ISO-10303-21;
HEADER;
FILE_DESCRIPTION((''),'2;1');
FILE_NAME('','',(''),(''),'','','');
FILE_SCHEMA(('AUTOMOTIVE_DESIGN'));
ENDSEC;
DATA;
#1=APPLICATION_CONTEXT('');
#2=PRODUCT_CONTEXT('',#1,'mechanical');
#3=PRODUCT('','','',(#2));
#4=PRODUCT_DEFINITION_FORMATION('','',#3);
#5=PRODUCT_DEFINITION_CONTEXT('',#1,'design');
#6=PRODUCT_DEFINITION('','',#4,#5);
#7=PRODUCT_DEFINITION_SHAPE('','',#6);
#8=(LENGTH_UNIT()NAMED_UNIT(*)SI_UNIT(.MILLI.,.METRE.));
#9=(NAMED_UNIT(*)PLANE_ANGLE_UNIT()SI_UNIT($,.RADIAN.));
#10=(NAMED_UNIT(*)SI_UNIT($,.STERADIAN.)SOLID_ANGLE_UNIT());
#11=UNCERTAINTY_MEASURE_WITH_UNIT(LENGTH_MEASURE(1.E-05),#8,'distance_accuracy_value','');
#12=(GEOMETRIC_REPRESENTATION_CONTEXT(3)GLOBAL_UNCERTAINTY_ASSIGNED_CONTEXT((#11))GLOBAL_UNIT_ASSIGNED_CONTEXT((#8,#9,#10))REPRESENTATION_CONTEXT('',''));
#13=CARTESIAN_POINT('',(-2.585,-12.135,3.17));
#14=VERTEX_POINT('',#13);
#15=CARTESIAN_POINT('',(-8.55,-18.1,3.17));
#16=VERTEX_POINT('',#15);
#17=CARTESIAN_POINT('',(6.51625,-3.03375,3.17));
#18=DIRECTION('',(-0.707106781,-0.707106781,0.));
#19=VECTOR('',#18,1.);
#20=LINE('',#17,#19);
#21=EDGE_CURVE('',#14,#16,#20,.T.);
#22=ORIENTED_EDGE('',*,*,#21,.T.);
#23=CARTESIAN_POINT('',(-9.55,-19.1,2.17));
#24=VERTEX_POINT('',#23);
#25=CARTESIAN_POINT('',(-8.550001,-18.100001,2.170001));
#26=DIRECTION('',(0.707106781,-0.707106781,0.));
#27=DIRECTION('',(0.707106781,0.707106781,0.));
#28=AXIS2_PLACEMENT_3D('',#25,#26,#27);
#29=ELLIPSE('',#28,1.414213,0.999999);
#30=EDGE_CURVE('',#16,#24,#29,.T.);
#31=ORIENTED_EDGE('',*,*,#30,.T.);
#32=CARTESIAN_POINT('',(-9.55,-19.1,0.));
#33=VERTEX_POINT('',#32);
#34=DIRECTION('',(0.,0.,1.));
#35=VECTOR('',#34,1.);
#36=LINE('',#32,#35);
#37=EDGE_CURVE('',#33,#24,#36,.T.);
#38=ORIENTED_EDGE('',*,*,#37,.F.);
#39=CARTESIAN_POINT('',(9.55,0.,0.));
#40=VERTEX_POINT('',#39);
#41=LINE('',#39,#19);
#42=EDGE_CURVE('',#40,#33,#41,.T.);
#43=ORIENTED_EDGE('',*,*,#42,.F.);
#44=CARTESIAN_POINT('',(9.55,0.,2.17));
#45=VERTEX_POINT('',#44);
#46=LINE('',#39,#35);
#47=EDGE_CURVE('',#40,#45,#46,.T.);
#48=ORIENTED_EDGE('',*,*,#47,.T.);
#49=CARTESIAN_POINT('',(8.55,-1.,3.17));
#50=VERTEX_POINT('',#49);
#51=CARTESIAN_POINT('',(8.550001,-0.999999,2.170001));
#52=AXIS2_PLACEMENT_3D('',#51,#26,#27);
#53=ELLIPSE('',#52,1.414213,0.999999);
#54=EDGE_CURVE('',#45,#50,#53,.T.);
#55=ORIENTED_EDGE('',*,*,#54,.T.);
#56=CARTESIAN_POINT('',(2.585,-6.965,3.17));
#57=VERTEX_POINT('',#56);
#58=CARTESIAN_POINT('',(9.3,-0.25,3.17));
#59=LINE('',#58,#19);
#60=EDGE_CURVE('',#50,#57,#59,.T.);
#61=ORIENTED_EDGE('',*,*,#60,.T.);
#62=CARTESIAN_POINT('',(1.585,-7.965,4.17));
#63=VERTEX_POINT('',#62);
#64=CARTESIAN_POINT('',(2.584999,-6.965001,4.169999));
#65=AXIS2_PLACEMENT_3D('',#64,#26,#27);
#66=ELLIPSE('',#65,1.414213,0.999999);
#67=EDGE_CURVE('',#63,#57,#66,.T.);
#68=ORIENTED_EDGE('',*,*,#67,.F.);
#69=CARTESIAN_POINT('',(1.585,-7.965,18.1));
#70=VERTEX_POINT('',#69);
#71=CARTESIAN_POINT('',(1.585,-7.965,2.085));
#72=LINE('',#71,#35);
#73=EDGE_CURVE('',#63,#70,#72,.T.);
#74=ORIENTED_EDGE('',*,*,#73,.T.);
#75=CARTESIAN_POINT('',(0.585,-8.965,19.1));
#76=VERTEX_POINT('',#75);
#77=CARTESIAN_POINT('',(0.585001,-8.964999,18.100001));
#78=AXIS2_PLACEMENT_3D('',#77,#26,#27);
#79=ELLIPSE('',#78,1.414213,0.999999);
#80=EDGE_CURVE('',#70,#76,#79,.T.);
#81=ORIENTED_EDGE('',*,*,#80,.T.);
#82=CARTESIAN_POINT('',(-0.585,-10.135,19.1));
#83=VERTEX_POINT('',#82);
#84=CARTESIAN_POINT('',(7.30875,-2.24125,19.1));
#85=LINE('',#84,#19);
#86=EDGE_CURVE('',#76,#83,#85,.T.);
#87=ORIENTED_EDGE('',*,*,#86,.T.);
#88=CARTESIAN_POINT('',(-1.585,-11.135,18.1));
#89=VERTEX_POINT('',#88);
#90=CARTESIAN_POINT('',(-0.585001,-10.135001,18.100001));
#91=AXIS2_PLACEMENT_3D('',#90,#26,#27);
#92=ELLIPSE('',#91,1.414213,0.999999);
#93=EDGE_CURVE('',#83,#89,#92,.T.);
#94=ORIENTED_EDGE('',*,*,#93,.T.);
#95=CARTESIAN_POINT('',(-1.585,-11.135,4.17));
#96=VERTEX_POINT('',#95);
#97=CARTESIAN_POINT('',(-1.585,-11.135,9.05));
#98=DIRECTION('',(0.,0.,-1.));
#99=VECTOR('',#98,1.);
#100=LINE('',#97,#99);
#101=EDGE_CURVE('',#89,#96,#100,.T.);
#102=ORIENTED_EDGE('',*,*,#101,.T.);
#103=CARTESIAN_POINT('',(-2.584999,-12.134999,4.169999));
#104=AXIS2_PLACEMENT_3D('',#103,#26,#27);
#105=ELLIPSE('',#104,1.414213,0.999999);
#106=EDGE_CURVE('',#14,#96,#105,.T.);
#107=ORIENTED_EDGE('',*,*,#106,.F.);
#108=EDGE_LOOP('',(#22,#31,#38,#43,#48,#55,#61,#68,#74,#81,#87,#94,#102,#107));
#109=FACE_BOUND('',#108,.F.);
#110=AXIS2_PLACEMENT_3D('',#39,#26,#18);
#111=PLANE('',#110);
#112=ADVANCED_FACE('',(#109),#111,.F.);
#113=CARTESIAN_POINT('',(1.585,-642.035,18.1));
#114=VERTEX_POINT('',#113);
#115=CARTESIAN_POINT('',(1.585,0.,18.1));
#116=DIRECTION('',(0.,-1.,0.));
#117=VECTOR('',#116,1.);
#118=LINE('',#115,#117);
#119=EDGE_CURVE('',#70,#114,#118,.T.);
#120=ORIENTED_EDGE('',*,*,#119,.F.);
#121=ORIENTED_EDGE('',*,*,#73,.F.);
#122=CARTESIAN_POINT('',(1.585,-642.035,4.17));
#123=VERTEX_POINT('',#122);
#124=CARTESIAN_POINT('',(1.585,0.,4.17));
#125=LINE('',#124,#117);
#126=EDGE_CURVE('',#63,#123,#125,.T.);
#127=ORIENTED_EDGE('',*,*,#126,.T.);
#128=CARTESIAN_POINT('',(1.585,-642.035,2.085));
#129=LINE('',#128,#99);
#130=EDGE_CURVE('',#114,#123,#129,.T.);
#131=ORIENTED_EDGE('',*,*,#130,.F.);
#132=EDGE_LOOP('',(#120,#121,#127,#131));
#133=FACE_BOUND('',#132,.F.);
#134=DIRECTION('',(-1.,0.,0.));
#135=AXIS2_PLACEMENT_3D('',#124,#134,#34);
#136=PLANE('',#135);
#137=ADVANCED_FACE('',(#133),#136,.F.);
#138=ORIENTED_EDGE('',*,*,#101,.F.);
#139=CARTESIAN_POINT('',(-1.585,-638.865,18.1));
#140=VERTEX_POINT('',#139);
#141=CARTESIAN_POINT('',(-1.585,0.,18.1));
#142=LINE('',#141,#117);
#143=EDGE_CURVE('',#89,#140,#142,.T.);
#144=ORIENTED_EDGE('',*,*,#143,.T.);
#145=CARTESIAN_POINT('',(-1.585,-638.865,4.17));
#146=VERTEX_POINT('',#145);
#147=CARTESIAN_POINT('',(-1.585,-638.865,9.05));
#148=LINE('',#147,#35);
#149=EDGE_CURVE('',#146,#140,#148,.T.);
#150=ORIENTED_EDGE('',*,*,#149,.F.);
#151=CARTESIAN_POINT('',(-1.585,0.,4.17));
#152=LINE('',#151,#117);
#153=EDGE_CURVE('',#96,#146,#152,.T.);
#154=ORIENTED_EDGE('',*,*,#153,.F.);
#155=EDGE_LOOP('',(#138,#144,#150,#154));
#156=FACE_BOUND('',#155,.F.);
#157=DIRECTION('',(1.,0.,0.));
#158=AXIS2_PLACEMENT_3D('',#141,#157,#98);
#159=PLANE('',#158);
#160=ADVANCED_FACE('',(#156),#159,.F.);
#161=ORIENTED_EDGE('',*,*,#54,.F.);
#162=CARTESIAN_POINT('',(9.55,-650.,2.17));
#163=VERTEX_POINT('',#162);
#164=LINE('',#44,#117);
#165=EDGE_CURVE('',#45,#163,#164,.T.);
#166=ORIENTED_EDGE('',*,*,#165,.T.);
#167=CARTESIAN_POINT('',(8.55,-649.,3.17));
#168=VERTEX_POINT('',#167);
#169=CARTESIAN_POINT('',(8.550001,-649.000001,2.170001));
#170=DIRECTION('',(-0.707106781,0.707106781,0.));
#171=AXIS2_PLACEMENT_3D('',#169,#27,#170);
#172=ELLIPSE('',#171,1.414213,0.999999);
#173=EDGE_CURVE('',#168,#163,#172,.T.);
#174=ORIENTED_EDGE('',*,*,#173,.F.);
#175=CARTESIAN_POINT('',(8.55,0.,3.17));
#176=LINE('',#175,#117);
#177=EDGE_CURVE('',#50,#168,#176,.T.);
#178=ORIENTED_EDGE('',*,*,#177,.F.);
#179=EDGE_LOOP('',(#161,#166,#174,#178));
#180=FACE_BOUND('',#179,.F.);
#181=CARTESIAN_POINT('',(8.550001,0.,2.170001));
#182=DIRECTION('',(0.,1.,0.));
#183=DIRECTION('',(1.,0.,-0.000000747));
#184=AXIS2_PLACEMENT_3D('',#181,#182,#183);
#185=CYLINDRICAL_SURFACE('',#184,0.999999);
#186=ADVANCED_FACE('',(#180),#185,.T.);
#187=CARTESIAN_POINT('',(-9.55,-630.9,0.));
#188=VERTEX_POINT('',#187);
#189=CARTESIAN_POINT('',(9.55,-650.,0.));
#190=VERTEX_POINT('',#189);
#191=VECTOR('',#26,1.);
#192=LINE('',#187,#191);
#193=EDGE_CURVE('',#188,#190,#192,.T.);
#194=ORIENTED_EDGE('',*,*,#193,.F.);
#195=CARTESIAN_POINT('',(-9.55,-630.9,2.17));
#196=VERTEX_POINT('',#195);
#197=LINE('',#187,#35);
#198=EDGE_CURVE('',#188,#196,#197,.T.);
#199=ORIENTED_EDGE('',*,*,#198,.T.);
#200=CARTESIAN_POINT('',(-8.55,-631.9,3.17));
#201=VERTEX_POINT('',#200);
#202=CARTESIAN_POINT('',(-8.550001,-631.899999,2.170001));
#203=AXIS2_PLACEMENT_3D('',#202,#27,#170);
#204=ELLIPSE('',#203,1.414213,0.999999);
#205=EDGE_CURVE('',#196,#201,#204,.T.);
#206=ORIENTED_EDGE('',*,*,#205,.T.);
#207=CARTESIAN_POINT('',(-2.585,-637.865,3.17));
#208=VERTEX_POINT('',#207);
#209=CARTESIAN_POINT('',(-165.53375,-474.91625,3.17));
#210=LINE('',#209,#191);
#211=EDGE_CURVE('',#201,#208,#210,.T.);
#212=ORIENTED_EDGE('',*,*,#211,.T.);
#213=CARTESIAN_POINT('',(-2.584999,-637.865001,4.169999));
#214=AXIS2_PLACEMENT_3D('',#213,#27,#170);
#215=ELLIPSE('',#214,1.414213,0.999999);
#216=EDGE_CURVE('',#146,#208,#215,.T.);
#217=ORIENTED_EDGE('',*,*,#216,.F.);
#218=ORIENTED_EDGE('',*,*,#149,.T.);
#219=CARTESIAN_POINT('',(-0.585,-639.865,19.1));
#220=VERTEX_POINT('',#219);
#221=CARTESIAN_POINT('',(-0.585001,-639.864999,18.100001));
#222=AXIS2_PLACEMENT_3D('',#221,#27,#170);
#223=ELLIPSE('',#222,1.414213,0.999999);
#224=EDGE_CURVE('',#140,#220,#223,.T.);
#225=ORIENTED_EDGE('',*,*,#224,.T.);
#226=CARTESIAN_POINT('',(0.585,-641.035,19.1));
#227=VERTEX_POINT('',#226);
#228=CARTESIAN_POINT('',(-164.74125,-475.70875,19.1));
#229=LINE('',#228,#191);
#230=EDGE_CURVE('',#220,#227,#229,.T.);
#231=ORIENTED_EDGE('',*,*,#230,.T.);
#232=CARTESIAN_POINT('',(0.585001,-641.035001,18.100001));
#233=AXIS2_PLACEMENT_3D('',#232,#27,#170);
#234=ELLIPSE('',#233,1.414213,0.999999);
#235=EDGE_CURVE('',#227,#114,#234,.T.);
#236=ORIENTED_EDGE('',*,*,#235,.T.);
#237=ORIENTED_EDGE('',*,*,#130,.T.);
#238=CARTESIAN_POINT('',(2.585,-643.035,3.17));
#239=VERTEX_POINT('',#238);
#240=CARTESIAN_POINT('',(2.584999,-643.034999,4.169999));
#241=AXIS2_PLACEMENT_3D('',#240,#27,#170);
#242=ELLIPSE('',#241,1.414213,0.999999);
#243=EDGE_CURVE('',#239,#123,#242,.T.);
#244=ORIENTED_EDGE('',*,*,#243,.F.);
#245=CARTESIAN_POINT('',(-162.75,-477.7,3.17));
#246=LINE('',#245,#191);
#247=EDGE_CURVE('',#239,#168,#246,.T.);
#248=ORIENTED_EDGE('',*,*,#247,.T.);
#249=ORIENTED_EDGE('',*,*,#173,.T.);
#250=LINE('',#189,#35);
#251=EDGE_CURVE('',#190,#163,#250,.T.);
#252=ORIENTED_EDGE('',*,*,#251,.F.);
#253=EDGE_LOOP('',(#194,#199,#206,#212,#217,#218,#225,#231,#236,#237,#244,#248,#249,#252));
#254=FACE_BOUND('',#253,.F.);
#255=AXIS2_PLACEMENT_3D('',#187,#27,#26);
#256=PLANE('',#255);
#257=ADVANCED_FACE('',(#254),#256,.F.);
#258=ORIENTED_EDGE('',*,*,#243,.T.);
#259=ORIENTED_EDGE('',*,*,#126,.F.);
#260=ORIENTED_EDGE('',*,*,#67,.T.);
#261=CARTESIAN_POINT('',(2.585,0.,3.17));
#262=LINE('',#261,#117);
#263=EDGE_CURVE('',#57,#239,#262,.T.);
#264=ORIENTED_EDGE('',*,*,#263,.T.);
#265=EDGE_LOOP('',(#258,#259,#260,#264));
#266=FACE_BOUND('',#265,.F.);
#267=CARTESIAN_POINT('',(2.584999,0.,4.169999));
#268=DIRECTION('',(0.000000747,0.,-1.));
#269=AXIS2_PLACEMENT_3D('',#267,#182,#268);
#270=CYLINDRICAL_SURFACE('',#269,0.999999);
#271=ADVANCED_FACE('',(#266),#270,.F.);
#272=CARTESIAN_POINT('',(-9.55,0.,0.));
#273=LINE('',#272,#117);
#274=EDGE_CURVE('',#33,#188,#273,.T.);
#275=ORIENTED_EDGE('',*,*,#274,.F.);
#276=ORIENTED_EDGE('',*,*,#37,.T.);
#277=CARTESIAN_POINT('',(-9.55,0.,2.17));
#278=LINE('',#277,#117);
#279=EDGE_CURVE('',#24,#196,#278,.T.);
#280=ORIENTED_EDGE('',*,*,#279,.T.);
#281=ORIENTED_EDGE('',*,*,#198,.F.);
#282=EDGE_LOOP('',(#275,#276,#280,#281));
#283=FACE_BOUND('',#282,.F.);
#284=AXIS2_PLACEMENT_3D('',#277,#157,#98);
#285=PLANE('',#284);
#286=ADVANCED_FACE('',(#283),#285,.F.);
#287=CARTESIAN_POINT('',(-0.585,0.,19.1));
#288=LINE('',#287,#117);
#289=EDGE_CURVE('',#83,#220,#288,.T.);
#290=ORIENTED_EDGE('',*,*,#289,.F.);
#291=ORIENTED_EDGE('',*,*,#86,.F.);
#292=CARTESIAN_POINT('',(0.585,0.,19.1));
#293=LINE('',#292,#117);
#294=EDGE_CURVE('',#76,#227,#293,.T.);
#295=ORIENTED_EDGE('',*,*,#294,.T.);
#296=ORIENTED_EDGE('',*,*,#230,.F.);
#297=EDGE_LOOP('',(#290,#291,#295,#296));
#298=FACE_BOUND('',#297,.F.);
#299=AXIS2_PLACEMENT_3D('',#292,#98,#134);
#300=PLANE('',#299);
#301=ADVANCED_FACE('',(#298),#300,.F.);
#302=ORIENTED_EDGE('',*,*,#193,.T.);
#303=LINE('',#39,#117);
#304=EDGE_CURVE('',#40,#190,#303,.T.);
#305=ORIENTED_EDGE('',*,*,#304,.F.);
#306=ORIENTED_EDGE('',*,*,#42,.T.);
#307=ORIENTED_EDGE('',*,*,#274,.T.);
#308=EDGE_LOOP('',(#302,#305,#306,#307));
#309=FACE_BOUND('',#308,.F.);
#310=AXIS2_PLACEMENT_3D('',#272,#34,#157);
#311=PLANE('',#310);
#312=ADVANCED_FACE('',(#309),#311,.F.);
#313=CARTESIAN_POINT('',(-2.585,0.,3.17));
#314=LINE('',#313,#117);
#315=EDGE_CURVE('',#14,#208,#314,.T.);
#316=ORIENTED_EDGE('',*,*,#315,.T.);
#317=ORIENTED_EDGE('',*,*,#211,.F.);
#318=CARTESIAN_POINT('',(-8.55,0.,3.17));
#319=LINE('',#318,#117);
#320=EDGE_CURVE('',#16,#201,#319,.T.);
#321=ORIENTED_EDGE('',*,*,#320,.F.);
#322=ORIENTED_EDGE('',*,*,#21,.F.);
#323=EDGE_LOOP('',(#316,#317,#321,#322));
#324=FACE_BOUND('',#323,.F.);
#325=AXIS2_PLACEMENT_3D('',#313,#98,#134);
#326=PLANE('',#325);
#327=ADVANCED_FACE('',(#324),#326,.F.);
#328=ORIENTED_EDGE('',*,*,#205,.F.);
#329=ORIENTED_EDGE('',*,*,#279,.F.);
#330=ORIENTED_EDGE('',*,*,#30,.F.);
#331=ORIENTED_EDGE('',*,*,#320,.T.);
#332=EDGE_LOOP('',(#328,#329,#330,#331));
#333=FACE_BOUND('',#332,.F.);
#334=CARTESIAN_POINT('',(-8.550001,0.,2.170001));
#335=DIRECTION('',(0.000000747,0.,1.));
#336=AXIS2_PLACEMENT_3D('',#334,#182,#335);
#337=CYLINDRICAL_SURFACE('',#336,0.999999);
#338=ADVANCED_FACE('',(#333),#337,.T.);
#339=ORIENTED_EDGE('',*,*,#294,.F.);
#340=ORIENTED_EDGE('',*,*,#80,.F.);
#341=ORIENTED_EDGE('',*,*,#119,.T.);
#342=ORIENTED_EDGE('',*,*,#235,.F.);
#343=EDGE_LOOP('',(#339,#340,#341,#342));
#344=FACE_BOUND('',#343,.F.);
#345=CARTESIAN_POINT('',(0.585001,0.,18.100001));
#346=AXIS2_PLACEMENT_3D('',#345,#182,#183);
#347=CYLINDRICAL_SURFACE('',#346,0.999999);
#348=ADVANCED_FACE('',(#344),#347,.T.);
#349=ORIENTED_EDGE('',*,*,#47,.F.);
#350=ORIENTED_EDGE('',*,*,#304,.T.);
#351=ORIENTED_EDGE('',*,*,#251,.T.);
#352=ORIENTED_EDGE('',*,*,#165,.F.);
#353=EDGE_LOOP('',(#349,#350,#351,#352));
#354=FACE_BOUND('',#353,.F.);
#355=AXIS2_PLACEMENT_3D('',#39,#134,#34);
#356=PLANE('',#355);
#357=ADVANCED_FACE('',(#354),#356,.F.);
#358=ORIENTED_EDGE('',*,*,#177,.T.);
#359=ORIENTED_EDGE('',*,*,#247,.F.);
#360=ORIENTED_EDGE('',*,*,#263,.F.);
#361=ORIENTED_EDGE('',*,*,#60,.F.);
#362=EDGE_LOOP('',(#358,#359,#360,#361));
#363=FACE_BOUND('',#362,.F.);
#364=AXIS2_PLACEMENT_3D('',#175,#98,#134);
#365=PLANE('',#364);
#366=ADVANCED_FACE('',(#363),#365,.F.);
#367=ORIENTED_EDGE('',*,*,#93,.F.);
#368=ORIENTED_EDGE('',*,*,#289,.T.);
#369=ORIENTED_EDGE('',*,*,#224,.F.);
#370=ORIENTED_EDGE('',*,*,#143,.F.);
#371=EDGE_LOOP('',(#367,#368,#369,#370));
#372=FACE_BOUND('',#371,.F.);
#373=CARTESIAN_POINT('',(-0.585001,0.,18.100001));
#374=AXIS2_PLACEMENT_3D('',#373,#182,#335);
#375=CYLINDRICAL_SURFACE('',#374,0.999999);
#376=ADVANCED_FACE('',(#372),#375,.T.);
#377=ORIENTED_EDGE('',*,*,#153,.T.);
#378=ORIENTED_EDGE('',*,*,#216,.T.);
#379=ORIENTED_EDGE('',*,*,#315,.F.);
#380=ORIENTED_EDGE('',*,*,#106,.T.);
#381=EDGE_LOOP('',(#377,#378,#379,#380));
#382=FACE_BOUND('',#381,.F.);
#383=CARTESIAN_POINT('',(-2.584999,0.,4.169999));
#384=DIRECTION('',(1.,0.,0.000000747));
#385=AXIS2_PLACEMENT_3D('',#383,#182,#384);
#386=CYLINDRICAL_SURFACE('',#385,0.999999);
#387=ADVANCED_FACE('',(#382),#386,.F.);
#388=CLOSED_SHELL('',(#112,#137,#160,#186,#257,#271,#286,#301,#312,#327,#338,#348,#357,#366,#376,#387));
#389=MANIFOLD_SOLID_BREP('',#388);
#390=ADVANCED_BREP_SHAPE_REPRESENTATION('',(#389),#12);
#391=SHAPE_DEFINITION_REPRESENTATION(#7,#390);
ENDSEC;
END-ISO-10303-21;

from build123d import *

# Parameters (mm, degrees)
F1_DEPTH = 650
F3_DEPTH = 20


with BuildPart() as f1:
    # F0 (on Front) → F1 (new body)
    with BuildSketch(Plane.XZ):
        with BuildLine():
            Line((-9.55, 2.17), (-9.55, 0))
            Line((-9.55, 0), (9.55, 0))
            Line((9.55, 0), (9.55, 2.17))
            ThreePointArc((9.55, 2.17), (9.257107, 2.877107), (8.55, 3.17))
            Line((8.55, 3.17), (2.585, 3.17))
            ThreePointArc((2.585, 3.17), (1.877893, 3.462893), (1.585, 4.17))
            Line((1.585, 4.17), (1.585, 18.1))
            ThreePointArc((1.585, 18.1), (1.292107, 18.807107), (0.585, 19.1))
            Line((0.585, 19.1), (-0.585, 19.1))
            ThreePointArc((-0.585, 19.1), (-1.292107, 18.807107), (-1.585, 18.1))
            Line((-1.585, 18.1), (-1.585, 4.17))
            ThreePointArc((-1.585, 4.17), (-1.877893, 3.462893), (-2.585, 3.17))
            Line((-2.585, 3.17), (-8.55, 3.17))
            ThreePointArc((-8.55, 3.17), (-9.257107, 2.877107), (-9.55, 2.17))
        make_face()
    extrude(amount=F1_DEPTH)

    # F2 (on face) → F3 (cut)
    with BuildSketch(Plane(origin=(0, 0, 0), x_dir=(1, 0, 0), z_dir=(0, 0, -1))):
        Polygon((-9.55, 630.9), (9.55, 650), (-9.55, 650), align=None)
        Polygon((-9.55, 0), (9.55, 0), (-9.55, 19.1), align=None)
    extrude(amount=-F3_DEPTH, mode=Mode.SUBTRACT)


solid = f1.part
